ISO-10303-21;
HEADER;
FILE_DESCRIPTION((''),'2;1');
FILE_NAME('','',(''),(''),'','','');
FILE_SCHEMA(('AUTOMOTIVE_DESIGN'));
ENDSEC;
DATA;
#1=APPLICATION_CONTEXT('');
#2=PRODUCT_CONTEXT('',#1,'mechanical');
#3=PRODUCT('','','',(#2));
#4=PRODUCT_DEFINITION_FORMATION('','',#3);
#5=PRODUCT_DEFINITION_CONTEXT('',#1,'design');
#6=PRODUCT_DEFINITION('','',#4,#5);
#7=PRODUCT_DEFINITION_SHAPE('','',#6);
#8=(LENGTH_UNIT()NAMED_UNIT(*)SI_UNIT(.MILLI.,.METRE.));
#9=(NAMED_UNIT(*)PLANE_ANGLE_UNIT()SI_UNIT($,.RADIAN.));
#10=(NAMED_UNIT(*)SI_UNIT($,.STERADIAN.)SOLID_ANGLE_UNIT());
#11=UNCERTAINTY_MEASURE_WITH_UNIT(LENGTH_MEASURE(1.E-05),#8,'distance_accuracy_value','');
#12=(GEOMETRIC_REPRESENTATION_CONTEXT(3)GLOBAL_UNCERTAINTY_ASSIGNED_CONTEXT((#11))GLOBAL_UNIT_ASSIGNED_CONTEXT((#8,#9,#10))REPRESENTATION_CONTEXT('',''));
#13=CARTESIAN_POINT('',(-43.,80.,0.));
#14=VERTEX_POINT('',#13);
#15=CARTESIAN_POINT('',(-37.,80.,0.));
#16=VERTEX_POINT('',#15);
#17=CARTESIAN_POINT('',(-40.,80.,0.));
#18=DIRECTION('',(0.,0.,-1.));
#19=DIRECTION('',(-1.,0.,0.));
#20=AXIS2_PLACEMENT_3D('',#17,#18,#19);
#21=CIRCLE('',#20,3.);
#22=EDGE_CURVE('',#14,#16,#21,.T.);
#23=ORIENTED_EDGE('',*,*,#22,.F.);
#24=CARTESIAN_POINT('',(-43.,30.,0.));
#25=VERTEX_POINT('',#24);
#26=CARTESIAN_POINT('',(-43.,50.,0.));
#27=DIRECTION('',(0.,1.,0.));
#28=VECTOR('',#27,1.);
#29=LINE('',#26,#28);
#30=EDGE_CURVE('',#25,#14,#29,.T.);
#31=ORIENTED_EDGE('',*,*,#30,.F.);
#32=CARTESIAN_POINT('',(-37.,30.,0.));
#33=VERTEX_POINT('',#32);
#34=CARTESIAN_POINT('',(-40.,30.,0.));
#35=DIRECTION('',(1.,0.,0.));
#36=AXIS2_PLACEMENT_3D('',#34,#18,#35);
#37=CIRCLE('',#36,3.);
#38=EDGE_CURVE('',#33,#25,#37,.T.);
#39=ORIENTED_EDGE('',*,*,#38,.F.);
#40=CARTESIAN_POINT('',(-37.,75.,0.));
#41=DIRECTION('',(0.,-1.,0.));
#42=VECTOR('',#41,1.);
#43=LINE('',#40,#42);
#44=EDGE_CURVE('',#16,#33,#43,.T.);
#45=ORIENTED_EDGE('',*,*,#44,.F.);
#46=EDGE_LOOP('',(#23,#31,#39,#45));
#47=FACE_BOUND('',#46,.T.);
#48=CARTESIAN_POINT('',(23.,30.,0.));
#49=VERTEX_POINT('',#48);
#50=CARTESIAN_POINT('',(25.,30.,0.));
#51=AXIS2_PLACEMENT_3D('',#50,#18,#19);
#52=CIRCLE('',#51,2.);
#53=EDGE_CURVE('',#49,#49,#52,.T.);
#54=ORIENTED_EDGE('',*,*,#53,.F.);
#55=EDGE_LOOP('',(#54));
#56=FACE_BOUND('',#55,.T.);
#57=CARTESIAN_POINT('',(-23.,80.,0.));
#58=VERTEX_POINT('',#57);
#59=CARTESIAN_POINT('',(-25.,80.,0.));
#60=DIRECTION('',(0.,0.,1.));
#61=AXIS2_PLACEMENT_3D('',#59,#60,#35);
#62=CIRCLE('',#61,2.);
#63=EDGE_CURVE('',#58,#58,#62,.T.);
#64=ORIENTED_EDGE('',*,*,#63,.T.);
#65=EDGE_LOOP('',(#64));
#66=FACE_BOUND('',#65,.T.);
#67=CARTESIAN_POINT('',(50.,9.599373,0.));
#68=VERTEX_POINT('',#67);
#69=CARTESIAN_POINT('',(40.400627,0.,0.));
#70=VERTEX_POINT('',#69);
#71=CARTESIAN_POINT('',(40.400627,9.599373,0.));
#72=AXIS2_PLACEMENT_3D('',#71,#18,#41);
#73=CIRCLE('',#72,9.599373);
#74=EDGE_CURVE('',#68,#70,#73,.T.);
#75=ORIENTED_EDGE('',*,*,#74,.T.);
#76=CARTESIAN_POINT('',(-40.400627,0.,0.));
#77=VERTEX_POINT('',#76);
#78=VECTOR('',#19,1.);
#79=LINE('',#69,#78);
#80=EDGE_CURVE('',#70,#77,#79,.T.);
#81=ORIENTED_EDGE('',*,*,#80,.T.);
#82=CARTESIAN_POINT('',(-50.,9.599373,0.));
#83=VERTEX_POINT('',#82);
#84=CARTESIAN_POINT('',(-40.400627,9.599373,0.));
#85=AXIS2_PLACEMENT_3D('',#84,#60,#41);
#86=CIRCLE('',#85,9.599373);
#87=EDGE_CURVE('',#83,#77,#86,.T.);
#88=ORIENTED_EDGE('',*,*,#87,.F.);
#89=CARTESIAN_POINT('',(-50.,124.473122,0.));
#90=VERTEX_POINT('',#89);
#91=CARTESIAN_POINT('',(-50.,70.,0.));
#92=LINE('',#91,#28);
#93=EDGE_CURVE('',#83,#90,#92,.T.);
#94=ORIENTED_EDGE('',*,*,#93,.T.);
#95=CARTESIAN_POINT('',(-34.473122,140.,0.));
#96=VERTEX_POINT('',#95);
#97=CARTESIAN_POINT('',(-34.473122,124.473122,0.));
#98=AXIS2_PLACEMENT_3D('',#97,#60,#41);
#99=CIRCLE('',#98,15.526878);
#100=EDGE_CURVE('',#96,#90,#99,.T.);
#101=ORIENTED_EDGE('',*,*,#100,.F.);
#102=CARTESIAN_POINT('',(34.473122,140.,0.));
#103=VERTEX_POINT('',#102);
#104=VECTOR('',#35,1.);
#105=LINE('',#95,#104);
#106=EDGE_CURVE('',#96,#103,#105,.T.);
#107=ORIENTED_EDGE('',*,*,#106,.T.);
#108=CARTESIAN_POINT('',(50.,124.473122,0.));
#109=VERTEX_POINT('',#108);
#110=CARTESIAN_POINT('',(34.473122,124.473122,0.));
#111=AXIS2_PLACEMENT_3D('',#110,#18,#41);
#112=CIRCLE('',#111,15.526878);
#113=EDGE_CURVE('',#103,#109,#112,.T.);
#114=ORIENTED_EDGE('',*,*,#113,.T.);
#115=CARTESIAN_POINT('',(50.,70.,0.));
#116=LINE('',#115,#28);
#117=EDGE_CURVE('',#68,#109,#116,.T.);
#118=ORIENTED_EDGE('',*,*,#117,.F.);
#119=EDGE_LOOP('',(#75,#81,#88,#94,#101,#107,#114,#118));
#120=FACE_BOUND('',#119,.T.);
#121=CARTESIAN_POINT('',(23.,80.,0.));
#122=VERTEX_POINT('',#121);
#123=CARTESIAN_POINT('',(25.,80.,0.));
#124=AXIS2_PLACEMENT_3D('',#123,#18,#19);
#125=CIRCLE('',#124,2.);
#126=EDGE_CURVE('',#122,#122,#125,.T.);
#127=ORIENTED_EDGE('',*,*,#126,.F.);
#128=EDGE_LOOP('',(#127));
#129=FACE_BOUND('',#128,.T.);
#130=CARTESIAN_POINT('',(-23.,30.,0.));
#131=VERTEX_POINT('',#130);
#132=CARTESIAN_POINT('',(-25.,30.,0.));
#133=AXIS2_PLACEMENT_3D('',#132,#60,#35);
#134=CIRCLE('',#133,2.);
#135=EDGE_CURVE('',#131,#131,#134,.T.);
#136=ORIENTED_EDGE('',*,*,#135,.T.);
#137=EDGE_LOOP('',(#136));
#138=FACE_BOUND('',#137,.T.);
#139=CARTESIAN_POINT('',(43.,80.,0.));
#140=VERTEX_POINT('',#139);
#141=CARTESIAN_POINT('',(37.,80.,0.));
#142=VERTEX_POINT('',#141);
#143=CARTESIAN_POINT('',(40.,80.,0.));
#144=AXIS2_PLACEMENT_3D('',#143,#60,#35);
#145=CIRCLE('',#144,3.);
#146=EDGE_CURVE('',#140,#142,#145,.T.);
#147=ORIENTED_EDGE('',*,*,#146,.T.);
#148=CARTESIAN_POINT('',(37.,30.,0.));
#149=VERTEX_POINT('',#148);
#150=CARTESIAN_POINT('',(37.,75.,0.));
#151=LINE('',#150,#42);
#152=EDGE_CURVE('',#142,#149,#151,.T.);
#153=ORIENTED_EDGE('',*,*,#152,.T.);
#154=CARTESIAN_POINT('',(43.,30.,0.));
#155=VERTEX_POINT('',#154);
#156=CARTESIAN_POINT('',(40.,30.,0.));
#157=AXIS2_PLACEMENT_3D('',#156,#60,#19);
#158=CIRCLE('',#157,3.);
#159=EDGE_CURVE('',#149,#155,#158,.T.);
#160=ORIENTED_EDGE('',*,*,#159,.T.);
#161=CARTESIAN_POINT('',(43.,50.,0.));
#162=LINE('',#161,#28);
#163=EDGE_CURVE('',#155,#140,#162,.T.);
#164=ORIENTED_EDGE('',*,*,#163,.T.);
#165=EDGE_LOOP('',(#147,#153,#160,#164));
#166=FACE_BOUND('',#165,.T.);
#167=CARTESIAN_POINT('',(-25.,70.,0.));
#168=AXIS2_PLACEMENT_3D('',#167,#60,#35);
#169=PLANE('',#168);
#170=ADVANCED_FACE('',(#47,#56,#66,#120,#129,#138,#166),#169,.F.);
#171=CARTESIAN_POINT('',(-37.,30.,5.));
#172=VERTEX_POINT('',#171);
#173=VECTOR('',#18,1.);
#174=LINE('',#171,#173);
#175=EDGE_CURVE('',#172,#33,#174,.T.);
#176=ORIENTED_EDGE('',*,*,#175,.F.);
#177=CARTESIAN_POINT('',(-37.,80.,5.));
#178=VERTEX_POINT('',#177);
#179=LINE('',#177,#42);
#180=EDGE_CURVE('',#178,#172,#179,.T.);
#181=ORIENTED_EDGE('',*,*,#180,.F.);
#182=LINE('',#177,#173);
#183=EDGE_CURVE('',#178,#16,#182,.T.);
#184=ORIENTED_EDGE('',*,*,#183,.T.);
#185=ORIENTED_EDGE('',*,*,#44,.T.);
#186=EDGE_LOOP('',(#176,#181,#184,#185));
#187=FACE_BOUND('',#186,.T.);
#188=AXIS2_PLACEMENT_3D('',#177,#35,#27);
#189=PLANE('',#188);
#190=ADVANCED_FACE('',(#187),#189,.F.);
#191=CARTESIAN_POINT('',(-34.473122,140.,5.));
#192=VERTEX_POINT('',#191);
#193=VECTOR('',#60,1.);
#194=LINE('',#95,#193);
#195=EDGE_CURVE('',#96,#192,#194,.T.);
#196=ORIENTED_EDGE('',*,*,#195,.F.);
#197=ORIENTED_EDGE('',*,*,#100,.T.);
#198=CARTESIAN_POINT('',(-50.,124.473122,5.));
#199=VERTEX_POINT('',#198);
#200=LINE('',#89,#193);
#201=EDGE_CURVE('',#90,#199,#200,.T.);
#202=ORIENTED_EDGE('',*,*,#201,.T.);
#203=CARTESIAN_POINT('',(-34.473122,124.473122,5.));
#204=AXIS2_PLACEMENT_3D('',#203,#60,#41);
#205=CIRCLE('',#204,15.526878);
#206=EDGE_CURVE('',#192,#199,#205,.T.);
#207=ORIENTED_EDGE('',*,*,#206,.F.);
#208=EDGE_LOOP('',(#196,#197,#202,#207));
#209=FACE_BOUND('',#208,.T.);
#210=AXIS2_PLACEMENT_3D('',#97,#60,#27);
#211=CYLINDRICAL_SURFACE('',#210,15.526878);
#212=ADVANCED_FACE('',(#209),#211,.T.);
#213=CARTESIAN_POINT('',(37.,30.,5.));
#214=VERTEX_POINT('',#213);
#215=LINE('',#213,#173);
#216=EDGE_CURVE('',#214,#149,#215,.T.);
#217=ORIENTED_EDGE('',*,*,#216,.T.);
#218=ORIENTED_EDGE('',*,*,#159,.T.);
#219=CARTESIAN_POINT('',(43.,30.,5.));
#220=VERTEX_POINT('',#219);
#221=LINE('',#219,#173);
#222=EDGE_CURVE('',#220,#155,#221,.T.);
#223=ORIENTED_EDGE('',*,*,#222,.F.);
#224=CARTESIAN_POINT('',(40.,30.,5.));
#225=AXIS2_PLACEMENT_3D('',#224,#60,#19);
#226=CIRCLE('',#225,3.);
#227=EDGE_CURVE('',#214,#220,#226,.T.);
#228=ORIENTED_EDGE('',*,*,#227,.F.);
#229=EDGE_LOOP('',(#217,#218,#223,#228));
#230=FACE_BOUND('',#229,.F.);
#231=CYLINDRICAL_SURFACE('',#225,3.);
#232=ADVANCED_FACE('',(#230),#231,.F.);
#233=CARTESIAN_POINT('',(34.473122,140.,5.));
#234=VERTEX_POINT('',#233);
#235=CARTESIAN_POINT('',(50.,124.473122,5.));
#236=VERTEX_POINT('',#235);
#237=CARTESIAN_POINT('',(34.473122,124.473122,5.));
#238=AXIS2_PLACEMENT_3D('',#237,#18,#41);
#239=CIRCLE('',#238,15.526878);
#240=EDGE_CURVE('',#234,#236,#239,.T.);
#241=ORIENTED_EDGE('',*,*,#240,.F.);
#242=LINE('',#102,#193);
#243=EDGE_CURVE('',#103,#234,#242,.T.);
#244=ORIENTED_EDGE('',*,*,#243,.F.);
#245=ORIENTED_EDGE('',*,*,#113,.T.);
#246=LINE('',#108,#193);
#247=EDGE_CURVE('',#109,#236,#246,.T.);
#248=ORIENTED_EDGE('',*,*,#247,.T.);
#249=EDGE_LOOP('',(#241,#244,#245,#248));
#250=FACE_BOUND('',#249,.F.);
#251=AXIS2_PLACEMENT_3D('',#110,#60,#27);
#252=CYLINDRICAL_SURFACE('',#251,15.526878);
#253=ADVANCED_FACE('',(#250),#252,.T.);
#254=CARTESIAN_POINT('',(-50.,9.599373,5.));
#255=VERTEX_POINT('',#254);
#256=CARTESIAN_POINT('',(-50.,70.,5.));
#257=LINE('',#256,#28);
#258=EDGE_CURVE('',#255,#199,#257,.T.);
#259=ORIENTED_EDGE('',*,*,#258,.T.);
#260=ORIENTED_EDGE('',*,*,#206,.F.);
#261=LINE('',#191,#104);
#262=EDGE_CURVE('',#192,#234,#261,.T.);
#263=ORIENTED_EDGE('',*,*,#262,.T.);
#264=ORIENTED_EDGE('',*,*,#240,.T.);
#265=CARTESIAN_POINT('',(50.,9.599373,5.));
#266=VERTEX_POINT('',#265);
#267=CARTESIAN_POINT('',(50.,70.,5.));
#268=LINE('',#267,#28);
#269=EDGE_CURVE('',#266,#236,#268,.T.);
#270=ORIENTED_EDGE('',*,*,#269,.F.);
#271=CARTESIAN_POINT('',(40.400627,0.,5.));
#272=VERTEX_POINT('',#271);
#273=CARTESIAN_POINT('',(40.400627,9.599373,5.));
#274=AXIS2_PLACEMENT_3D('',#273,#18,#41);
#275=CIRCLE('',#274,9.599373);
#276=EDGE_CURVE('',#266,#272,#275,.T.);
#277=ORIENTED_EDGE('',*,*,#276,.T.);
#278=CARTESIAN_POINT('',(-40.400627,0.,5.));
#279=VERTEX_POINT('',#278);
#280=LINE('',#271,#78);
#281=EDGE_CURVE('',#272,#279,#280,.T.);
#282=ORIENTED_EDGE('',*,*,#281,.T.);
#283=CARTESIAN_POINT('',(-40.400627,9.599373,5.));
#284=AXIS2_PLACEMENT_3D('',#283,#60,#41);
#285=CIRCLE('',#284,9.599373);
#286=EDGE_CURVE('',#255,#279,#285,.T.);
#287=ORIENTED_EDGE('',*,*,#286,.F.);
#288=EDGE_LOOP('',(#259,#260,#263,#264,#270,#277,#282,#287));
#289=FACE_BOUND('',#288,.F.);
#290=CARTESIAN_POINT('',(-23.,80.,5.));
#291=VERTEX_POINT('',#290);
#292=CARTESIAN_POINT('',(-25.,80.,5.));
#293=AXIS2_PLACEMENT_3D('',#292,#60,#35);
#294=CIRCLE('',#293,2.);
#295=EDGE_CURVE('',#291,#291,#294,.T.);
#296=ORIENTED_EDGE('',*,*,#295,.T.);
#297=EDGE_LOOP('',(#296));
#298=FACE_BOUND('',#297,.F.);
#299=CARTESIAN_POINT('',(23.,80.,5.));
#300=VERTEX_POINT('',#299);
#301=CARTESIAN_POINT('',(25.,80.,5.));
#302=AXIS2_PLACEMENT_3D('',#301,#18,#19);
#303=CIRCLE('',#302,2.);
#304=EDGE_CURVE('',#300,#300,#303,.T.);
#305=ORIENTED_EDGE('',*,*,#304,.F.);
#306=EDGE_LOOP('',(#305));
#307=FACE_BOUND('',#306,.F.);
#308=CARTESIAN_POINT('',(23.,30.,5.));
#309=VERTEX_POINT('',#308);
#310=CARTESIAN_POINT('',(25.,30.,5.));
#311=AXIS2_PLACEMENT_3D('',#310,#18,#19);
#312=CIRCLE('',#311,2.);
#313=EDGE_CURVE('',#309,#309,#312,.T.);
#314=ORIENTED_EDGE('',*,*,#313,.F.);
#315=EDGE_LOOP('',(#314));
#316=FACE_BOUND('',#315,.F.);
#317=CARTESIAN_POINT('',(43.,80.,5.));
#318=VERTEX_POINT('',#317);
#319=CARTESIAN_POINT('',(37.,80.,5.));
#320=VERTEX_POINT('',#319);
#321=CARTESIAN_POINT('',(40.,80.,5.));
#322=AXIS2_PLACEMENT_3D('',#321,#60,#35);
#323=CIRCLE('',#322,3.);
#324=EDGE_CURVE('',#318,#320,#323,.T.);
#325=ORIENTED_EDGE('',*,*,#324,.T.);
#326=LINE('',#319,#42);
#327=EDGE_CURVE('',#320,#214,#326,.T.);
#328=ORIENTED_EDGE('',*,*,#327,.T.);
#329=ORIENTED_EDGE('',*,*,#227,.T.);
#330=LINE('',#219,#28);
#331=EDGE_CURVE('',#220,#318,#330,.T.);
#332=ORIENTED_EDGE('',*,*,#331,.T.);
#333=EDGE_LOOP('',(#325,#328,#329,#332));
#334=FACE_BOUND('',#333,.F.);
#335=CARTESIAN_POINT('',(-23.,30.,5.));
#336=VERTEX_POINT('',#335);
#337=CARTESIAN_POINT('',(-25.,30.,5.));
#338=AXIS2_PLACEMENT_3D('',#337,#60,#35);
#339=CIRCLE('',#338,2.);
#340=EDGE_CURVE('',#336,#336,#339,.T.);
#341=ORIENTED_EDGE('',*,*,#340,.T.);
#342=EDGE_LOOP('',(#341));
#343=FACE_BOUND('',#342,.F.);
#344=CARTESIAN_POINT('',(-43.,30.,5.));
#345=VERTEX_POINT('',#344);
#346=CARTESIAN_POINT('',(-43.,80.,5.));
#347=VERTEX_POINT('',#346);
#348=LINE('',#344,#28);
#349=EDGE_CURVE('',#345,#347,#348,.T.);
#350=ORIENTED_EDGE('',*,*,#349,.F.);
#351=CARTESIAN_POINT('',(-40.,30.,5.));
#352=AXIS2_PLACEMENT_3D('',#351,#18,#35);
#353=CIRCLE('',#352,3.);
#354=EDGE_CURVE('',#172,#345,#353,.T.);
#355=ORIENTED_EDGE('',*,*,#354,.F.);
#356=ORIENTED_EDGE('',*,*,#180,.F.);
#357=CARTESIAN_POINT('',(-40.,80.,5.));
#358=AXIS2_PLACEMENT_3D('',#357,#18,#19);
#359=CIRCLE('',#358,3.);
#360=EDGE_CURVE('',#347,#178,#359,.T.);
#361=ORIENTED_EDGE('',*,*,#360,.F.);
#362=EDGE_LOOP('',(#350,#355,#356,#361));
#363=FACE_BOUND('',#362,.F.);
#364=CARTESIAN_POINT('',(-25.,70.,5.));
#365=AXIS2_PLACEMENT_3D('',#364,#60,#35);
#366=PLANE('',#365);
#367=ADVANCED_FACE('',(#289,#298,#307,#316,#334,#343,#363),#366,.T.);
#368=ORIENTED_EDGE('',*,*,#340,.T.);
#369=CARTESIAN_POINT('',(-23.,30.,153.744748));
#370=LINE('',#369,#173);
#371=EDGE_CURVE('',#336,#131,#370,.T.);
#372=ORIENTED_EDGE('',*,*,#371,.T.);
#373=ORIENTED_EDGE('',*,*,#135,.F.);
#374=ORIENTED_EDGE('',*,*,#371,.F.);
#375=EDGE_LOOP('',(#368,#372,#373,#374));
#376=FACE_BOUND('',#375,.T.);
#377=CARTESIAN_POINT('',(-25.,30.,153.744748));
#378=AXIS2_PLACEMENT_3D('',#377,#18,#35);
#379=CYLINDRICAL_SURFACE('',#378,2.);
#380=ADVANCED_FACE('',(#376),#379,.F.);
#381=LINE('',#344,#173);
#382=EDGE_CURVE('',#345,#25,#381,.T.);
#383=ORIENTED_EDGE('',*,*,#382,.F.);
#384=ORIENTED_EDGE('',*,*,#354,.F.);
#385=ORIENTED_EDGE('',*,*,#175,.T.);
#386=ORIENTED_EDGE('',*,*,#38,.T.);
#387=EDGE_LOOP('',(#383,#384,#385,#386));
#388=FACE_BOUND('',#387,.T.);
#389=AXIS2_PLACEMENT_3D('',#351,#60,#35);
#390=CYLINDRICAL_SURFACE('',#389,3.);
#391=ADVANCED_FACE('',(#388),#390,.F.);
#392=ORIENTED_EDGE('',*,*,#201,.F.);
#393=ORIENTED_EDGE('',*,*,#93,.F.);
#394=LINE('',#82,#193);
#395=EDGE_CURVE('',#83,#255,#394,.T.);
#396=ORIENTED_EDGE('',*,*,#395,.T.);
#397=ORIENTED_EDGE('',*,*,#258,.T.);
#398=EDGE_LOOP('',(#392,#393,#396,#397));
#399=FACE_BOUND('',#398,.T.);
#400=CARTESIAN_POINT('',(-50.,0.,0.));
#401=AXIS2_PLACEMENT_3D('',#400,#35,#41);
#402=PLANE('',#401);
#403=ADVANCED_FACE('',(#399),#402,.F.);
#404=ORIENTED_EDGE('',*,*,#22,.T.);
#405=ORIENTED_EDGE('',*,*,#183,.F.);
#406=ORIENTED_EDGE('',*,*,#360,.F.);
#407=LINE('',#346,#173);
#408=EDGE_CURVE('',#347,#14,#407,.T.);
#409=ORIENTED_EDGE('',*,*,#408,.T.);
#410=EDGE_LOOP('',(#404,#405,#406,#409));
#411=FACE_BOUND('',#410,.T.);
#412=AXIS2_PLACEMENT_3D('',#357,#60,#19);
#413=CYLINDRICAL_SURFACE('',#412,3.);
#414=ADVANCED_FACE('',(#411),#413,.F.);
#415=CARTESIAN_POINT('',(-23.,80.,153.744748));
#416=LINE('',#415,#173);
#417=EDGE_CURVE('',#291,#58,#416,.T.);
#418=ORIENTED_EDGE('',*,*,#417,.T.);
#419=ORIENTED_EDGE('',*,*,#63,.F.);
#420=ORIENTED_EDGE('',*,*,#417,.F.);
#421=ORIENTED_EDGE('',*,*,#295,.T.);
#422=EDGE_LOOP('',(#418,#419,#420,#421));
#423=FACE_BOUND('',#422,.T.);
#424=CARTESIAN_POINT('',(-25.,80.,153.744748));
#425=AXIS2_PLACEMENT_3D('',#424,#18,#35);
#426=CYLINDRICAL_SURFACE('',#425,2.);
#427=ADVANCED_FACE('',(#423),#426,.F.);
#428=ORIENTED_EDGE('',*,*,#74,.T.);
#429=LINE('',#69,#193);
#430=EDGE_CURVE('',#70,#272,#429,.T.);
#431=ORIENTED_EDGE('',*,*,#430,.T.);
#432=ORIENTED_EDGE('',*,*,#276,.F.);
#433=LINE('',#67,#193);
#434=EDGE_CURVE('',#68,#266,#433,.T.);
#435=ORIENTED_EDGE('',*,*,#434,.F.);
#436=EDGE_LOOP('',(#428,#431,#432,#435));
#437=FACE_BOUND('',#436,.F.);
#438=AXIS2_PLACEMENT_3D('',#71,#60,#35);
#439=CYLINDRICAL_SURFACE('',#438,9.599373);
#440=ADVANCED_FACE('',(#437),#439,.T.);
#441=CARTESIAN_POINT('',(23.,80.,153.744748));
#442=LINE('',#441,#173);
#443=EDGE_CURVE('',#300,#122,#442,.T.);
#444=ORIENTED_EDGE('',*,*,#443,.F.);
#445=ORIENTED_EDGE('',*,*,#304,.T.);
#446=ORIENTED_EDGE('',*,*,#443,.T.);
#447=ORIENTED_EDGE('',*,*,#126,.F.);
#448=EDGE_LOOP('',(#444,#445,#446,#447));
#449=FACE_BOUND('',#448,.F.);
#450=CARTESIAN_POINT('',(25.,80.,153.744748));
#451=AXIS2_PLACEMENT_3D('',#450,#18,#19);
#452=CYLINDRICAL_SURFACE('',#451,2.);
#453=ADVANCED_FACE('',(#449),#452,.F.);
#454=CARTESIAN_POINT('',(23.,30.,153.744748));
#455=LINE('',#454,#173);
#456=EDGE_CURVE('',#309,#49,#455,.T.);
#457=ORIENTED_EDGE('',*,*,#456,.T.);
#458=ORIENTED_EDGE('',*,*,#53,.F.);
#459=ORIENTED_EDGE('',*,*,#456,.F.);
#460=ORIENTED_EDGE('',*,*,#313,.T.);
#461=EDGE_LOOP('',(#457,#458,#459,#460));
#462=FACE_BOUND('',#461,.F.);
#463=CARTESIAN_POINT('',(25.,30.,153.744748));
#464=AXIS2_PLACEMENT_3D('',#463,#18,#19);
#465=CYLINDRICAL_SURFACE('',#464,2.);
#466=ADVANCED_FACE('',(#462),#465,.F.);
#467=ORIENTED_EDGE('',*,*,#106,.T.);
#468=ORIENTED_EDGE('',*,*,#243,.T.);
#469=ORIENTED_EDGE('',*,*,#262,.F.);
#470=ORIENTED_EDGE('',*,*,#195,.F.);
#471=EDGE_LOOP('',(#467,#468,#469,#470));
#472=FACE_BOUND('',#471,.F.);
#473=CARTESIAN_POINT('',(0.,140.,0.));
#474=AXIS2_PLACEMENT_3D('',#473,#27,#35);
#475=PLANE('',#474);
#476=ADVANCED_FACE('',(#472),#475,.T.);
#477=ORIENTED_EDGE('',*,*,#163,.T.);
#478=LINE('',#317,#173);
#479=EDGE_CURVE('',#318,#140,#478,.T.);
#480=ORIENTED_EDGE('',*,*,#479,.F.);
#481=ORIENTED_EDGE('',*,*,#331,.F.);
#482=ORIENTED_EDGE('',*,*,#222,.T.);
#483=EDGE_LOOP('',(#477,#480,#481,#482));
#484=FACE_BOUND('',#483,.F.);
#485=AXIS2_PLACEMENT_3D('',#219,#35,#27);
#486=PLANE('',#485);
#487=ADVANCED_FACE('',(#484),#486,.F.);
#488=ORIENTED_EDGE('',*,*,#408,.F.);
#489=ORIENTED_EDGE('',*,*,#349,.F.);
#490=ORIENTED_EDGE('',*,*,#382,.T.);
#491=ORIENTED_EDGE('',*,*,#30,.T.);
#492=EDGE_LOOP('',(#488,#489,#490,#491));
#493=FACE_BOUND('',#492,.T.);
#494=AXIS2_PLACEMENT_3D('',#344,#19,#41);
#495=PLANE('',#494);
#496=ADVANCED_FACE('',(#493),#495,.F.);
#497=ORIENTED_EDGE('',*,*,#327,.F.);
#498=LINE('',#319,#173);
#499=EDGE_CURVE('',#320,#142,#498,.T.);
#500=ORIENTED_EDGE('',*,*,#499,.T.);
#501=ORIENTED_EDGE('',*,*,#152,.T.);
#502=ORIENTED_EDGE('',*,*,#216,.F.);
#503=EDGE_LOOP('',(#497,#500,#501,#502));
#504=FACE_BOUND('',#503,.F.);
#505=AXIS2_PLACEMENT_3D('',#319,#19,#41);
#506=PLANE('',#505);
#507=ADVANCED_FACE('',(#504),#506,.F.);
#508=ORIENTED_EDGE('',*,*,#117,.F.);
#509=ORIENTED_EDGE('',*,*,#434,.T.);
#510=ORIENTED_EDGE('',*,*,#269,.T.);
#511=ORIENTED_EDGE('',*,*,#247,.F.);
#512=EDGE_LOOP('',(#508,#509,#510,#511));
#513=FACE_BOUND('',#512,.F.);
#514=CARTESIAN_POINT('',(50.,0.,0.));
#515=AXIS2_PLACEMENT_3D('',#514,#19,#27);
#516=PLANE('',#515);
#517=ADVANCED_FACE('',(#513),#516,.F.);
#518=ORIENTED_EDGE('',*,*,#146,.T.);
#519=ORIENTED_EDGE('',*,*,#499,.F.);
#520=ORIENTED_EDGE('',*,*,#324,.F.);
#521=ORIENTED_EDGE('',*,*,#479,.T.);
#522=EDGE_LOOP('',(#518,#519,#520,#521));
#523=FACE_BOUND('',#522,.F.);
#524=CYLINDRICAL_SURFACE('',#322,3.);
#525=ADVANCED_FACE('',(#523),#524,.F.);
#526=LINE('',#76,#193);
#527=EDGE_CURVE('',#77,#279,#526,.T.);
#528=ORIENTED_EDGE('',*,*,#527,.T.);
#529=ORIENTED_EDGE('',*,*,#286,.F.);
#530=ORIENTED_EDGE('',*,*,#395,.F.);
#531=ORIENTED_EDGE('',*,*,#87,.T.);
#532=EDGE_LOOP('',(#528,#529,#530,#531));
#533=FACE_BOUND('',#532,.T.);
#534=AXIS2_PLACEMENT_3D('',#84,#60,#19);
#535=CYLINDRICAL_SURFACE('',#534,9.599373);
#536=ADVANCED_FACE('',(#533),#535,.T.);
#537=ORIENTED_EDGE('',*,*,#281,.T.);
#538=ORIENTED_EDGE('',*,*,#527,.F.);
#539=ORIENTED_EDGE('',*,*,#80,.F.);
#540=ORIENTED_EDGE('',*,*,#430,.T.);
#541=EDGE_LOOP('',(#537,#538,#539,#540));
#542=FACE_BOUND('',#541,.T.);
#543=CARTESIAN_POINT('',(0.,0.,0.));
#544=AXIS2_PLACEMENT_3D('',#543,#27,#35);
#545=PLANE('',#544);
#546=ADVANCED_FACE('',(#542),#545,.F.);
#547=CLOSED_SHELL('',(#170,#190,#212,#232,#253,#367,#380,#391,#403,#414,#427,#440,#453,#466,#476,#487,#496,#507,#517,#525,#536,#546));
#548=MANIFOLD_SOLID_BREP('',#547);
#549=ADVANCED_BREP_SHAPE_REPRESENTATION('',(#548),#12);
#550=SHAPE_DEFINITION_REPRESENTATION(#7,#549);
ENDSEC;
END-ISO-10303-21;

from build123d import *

# Parameters (mm, degrees)
F0_W     = 50
F0_H     = 140
F1_DEPTH = 5
F3_D     = 4
F6_DEPTH = 25
F7_R     = 15.526878
F8_R     = 9.599373


with BuildPart() as f1:
    # F0 (on Top) → F1 (new body)
    with BuildSketch(Plane.XY):
        with Locations((25, 70)):
            Rectangle(F0_W, F0_H)
    extrude(amount=F1_DEPTH)

    # F3 (through all)
    with Locations(Plane.XY.offset(5)):
        with Locations((25, 30), (25, 80)):
            Hole(F3_D / 2)

    # F5 (on face) → F6 (cut)
    with BuildSketch(Plane.XY.offset(5)):
        with BuildLine():
            ThreePointArc((37, 30), (40, 27), (43, 30))
            Line((43, 30), (43, 80))
            ThreePointArc((43, 80), (40, 83), (37, 80))
            Line((37, 80), (37, 30))
        make_face()
    extrude(amount=-F6_DEPTH, mode=Mode.SUBTRACT)

    # F7
    f7_edges = [f1.edges().sort_by_distance(p)[0] for p in [
        (50, 140, 2.5),
    ]]
    fillet(f7_edges, radius=F7_R)

    # F8
    f8_edges = [f1.edges().sort_by_distance(p)[0] for p in [
        (50, 0, 2.5),
    ]]
    fillet(f8_edges, radius=F8_R)

    # F9: F1 across plane


with BuildPart() as f1_1:
    add(f1.part)
    add(f1.part.mirror(Plane.YZ))


solid = f1_1.part
